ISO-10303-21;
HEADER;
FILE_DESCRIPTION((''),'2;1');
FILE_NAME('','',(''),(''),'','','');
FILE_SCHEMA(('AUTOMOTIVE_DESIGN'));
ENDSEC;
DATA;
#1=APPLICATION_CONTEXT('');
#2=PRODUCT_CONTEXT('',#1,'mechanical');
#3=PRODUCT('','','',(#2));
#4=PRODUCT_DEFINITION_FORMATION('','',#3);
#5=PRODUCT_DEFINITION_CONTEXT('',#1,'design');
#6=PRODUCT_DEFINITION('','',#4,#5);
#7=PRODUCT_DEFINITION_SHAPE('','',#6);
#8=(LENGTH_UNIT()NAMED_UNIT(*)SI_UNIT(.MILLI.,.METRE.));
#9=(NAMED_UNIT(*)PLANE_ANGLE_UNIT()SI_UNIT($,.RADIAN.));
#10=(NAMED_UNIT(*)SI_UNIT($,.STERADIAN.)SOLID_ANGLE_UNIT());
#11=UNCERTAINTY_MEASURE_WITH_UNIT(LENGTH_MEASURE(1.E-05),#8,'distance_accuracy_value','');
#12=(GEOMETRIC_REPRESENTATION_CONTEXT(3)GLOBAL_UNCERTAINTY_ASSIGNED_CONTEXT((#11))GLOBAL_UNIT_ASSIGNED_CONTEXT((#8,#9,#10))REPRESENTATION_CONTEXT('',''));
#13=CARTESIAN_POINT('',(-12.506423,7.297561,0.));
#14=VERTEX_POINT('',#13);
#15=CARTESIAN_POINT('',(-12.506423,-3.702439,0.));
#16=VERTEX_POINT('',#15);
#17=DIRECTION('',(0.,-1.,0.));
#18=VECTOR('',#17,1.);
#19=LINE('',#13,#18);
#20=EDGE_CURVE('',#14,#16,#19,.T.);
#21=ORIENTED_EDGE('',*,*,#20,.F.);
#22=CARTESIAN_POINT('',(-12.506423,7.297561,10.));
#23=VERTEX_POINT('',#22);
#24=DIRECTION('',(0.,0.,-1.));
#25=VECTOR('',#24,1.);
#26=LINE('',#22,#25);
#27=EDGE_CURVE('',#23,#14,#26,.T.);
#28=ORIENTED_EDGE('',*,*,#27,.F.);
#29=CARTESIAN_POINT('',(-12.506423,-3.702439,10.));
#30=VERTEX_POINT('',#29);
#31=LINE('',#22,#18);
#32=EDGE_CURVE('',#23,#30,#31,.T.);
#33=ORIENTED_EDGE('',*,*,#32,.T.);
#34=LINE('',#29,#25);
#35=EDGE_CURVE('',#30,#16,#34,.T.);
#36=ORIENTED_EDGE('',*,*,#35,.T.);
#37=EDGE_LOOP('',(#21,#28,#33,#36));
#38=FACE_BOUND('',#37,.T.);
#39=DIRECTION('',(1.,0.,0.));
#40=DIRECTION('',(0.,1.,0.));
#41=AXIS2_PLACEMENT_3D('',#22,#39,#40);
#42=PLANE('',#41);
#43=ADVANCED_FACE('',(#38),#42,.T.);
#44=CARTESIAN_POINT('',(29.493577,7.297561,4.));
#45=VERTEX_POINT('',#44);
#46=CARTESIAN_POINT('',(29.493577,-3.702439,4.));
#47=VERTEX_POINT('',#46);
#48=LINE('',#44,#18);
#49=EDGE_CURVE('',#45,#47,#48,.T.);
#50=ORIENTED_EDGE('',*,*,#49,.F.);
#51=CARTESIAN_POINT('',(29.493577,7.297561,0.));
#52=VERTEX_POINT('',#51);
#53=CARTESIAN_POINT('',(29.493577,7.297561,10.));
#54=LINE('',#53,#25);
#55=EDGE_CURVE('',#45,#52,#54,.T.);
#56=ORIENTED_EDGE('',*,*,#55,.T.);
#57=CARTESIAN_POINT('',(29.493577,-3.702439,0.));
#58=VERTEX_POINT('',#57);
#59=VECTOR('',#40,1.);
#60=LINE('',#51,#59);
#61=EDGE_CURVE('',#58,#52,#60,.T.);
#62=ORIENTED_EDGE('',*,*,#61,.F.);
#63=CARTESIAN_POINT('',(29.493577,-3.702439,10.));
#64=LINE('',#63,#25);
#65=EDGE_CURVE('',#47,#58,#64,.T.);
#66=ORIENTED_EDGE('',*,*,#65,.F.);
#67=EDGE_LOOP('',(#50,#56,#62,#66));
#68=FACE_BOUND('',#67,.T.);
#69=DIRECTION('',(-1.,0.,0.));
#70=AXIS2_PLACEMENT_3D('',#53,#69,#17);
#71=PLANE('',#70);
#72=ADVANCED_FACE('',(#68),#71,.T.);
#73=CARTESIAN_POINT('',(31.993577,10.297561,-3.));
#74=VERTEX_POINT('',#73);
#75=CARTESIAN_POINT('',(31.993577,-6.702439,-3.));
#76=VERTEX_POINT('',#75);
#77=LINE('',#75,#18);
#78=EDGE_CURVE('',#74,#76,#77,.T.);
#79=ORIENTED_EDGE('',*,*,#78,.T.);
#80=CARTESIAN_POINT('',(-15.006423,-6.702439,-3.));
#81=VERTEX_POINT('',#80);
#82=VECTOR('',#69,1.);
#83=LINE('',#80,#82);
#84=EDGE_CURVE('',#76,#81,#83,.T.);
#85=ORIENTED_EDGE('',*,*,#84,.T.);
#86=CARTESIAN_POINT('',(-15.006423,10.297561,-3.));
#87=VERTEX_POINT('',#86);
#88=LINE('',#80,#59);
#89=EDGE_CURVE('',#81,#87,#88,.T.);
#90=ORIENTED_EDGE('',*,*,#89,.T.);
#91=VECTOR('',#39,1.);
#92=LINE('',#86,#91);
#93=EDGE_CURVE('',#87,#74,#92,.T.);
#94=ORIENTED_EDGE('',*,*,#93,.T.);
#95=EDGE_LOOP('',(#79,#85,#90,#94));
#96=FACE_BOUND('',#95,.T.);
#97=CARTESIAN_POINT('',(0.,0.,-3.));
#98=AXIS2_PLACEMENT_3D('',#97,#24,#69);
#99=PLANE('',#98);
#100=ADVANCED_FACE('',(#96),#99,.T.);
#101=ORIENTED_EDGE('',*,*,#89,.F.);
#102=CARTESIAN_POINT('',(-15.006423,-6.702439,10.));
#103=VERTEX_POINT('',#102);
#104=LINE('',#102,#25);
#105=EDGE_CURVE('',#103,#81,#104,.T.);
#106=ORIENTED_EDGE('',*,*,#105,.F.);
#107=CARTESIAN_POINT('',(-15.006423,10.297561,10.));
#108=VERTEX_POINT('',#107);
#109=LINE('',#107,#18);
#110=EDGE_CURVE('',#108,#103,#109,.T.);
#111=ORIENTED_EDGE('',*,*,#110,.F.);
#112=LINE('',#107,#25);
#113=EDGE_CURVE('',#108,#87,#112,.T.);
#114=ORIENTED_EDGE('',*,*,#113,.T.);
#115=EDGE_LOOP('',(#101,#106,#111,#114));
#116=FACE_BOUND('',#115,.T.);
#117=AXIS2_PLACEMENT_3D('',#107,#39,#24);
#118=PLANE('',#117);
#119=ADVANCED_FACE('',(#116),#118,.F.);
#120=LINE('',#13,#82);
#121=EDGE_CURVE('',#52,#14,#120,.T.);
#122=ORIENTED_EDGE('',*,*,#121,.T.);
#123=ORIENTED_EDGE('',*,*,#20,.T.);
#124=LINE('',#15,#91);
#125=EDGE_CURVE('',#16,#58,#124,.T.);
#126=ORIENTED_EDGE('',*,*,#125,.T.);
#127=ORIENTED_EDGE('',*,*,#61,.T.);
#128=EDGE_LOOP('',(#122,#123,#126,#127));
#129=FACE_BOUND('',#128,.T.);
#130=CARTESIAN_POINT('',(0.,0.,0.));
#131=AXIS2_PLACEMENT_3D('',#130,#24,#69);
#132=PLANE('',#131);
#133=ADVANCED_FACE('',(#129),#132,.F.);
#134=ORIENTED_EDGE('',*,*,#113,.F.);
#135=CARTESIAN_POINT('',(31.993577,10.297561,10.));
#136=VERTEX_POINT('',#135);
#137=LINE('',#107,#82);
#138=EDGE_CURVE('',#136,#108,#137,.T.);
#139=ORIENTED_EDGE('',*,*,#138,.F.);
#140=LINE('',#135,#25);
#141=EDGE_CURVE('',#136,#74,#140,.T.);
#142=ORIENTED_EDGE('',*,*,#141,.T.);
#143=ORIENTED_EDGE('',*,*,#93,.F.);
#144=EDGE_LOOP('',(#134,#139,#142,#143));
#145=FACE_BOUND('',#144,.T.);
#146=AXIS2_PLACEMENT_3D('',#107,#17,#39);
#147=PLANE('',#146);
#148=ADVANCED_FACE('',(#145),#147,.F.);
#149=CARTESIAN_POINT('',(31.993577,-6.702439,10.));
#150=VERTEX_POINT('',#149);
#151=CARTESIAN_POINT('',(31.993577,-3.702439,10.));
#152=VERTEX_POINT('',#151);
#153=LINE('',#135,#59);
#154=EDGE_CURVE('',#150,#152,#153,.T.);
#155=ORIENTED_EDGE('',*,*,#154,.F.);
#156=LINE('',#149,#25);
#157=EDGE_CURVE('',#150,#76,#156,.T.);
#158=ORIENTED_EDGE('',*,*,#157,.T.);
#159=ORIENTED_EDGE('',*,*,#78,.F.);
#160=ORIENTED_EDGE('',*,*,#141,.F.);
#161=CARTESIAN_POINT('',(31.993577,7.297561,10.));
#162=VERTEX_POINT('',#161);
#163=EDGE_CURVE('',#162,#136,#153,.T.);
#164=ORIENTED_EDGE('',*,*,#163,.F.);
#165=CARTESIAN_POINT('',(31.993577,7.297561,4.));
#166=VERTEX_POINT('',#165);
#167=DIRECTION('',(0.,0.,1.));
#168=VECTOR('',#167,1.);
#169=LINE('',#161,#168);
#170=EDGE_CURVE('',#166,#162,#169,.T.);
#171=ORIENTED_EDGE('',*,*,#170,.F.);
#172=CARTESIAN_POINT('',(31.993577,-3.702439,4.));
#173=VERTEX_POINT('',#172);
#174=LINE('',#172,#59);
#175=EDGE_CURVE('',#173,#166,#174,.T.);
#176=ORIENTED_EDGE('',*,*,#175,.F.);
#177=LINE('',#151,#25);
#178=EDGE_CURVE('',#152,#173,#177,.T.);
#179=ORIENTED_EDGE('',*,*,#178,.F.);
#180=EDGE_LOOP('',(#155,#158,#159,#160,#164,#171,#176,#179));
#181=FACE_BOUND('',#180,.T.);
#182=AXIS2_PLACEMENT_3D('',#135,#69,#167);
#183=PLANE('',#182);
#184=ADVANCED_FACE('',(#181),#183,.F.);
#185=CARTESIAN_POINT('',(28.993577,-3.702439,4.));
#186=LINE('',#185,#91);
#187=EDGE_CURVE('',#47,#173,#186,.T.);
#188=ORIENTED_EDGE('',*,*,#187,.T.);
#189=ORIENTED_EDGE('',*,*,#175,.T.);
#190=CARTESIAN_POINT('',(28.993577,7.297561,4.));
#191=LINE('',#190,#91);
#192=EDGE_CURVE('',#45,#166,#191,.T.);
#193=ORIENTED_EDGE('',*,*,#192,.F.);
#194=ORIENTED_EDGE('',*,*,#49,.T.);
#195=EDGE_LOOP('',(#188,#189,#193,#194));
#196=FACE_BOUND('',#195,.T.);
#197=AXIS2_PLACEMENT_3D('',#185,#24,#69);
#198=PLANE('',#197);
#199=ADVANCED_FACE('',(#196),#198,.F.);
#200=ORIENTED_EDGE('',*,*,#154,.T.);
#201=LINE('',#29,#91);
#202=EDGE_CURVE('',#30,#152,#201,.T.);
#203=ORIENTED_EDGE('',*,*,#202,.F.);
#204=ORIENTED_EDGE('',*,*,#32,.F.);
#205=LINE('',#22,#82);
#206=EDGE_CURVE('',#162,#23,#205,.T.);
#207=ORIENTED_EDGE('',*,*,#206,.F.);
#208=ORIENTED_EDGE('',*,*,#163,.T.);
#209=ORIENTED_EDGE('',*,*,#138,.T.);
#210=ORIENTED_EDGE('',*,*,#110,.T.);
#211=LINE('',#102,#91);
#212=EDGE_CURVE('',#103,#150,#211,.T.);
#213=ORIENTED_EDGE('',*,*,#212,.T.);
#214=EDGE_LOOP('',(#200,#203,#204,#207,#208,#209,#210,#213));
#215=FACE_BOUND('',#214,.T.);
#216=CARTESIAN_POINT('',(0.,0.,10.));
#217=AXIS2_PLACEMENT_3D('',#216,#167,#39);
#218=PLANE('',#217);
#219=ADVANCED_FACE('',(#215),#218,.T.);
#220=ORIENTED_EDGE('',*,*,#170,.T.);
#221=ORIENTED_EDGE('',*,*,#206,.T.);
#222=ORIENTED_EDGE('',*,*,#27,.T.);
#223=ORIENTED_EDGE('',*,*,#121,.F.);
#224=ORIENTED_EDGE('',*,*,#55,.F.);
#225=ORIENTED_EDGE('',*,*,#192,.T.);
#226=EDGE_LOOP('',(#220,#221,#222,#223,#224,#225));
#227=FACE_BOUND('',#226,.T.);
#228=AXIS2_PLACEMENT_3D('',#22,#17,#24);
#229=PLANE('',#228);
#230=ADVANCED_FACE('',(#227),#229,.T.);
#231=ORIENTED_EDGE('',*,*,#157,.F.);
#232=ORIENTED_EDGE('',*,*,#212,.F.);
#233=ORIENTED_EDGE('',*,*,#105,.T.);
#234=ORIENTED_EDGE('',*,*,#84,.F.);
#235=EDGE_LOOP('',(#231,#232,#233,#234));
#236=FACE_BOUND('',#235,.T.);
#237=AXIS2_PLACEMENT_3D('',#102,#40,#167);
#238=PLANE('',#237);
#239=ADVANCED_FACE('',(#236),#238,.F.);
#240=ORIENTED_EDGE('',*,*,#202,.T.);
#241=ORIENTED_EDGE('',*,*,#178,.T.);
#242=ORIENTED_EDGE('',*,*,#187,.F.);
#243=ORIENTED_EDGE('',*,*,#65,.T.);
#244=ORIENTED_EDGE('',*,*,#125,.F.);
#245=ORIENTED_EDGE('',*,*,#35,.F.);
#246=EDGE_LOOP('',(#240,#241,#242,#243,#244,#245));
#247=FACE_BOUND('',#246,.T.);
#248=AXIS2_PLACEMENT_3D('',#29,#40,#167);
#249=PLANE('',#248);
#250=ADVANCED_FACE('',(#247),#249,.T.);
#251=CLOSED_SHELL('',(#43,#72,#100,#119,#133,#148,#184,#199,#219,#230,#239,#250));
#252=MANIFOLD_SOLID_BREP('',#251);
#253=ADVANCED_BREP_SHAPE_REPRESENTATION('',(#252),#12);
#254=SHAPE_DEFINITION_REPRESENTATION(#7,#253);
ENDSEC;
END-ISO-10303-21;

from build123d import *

# Parameters (mm, degrees)
SKETCH_1_W          = 47
SKETCH_1_H          = 17
SKETCH_1_W_2        = 42
SKETCH_1_H_2        = 11
EXTRUDE_1_DEPTH     = 10
SKETCH_2_W          = 47
SKETCH_2_H          = 17
EXTRUDE_2_DEPTH     = 3
SKETCH_3_W          = 6
SKETCH_3_H          = 11
CUT_EXTRUDE_2_DEPTH = 3


with BuildPart() as part:
    # 草圖1 → 填料-伸長1 (new body)
    with BuildSketch(Plane.XY):
        with Locations((8.49357684, 1.797560976)):
            Rectangle(SKETCH_1_W, SKETCH_1_H)
        with Locations((8.49357684, 1.797560976)):
            Rectangle(SKETCH_1_W_2, SKETCH_1_H_2, mode=Mode.SUBTRACT)
    extrude(amount=EXTRUDE_1_DEPTH)

    # 草圖2 → 填料-伸長2 (add)
    with BuildSketch(Plane(origin=(0, 0, 0), x_dir=(-1, 0, 0), z_dir=(0, 0, -1))):
        with Locations((-8.49357684, 1.797560976)):
            Rectangle(SKETCH_2_W, SKETCH_2_H)
    extrude(amount=EXTRUDE_2_DEPTH)

    # 草圖3 → 除料-伸長2 (cut)
    with BuildSketch(Plane(origin=(31.99357684, 0, 0), x_dir=(0, 0, -1), z_dir=(1, 0, 0))):
        with Locations((-7, 1.797560976)):
            Rectangle(SKETCH_3_W, SKETCH_3_H)
    extrude(amount=-CUT_EXTRUDE_2_DEPTH, mode=Mode.SUBTRACT)


solid = part.part
